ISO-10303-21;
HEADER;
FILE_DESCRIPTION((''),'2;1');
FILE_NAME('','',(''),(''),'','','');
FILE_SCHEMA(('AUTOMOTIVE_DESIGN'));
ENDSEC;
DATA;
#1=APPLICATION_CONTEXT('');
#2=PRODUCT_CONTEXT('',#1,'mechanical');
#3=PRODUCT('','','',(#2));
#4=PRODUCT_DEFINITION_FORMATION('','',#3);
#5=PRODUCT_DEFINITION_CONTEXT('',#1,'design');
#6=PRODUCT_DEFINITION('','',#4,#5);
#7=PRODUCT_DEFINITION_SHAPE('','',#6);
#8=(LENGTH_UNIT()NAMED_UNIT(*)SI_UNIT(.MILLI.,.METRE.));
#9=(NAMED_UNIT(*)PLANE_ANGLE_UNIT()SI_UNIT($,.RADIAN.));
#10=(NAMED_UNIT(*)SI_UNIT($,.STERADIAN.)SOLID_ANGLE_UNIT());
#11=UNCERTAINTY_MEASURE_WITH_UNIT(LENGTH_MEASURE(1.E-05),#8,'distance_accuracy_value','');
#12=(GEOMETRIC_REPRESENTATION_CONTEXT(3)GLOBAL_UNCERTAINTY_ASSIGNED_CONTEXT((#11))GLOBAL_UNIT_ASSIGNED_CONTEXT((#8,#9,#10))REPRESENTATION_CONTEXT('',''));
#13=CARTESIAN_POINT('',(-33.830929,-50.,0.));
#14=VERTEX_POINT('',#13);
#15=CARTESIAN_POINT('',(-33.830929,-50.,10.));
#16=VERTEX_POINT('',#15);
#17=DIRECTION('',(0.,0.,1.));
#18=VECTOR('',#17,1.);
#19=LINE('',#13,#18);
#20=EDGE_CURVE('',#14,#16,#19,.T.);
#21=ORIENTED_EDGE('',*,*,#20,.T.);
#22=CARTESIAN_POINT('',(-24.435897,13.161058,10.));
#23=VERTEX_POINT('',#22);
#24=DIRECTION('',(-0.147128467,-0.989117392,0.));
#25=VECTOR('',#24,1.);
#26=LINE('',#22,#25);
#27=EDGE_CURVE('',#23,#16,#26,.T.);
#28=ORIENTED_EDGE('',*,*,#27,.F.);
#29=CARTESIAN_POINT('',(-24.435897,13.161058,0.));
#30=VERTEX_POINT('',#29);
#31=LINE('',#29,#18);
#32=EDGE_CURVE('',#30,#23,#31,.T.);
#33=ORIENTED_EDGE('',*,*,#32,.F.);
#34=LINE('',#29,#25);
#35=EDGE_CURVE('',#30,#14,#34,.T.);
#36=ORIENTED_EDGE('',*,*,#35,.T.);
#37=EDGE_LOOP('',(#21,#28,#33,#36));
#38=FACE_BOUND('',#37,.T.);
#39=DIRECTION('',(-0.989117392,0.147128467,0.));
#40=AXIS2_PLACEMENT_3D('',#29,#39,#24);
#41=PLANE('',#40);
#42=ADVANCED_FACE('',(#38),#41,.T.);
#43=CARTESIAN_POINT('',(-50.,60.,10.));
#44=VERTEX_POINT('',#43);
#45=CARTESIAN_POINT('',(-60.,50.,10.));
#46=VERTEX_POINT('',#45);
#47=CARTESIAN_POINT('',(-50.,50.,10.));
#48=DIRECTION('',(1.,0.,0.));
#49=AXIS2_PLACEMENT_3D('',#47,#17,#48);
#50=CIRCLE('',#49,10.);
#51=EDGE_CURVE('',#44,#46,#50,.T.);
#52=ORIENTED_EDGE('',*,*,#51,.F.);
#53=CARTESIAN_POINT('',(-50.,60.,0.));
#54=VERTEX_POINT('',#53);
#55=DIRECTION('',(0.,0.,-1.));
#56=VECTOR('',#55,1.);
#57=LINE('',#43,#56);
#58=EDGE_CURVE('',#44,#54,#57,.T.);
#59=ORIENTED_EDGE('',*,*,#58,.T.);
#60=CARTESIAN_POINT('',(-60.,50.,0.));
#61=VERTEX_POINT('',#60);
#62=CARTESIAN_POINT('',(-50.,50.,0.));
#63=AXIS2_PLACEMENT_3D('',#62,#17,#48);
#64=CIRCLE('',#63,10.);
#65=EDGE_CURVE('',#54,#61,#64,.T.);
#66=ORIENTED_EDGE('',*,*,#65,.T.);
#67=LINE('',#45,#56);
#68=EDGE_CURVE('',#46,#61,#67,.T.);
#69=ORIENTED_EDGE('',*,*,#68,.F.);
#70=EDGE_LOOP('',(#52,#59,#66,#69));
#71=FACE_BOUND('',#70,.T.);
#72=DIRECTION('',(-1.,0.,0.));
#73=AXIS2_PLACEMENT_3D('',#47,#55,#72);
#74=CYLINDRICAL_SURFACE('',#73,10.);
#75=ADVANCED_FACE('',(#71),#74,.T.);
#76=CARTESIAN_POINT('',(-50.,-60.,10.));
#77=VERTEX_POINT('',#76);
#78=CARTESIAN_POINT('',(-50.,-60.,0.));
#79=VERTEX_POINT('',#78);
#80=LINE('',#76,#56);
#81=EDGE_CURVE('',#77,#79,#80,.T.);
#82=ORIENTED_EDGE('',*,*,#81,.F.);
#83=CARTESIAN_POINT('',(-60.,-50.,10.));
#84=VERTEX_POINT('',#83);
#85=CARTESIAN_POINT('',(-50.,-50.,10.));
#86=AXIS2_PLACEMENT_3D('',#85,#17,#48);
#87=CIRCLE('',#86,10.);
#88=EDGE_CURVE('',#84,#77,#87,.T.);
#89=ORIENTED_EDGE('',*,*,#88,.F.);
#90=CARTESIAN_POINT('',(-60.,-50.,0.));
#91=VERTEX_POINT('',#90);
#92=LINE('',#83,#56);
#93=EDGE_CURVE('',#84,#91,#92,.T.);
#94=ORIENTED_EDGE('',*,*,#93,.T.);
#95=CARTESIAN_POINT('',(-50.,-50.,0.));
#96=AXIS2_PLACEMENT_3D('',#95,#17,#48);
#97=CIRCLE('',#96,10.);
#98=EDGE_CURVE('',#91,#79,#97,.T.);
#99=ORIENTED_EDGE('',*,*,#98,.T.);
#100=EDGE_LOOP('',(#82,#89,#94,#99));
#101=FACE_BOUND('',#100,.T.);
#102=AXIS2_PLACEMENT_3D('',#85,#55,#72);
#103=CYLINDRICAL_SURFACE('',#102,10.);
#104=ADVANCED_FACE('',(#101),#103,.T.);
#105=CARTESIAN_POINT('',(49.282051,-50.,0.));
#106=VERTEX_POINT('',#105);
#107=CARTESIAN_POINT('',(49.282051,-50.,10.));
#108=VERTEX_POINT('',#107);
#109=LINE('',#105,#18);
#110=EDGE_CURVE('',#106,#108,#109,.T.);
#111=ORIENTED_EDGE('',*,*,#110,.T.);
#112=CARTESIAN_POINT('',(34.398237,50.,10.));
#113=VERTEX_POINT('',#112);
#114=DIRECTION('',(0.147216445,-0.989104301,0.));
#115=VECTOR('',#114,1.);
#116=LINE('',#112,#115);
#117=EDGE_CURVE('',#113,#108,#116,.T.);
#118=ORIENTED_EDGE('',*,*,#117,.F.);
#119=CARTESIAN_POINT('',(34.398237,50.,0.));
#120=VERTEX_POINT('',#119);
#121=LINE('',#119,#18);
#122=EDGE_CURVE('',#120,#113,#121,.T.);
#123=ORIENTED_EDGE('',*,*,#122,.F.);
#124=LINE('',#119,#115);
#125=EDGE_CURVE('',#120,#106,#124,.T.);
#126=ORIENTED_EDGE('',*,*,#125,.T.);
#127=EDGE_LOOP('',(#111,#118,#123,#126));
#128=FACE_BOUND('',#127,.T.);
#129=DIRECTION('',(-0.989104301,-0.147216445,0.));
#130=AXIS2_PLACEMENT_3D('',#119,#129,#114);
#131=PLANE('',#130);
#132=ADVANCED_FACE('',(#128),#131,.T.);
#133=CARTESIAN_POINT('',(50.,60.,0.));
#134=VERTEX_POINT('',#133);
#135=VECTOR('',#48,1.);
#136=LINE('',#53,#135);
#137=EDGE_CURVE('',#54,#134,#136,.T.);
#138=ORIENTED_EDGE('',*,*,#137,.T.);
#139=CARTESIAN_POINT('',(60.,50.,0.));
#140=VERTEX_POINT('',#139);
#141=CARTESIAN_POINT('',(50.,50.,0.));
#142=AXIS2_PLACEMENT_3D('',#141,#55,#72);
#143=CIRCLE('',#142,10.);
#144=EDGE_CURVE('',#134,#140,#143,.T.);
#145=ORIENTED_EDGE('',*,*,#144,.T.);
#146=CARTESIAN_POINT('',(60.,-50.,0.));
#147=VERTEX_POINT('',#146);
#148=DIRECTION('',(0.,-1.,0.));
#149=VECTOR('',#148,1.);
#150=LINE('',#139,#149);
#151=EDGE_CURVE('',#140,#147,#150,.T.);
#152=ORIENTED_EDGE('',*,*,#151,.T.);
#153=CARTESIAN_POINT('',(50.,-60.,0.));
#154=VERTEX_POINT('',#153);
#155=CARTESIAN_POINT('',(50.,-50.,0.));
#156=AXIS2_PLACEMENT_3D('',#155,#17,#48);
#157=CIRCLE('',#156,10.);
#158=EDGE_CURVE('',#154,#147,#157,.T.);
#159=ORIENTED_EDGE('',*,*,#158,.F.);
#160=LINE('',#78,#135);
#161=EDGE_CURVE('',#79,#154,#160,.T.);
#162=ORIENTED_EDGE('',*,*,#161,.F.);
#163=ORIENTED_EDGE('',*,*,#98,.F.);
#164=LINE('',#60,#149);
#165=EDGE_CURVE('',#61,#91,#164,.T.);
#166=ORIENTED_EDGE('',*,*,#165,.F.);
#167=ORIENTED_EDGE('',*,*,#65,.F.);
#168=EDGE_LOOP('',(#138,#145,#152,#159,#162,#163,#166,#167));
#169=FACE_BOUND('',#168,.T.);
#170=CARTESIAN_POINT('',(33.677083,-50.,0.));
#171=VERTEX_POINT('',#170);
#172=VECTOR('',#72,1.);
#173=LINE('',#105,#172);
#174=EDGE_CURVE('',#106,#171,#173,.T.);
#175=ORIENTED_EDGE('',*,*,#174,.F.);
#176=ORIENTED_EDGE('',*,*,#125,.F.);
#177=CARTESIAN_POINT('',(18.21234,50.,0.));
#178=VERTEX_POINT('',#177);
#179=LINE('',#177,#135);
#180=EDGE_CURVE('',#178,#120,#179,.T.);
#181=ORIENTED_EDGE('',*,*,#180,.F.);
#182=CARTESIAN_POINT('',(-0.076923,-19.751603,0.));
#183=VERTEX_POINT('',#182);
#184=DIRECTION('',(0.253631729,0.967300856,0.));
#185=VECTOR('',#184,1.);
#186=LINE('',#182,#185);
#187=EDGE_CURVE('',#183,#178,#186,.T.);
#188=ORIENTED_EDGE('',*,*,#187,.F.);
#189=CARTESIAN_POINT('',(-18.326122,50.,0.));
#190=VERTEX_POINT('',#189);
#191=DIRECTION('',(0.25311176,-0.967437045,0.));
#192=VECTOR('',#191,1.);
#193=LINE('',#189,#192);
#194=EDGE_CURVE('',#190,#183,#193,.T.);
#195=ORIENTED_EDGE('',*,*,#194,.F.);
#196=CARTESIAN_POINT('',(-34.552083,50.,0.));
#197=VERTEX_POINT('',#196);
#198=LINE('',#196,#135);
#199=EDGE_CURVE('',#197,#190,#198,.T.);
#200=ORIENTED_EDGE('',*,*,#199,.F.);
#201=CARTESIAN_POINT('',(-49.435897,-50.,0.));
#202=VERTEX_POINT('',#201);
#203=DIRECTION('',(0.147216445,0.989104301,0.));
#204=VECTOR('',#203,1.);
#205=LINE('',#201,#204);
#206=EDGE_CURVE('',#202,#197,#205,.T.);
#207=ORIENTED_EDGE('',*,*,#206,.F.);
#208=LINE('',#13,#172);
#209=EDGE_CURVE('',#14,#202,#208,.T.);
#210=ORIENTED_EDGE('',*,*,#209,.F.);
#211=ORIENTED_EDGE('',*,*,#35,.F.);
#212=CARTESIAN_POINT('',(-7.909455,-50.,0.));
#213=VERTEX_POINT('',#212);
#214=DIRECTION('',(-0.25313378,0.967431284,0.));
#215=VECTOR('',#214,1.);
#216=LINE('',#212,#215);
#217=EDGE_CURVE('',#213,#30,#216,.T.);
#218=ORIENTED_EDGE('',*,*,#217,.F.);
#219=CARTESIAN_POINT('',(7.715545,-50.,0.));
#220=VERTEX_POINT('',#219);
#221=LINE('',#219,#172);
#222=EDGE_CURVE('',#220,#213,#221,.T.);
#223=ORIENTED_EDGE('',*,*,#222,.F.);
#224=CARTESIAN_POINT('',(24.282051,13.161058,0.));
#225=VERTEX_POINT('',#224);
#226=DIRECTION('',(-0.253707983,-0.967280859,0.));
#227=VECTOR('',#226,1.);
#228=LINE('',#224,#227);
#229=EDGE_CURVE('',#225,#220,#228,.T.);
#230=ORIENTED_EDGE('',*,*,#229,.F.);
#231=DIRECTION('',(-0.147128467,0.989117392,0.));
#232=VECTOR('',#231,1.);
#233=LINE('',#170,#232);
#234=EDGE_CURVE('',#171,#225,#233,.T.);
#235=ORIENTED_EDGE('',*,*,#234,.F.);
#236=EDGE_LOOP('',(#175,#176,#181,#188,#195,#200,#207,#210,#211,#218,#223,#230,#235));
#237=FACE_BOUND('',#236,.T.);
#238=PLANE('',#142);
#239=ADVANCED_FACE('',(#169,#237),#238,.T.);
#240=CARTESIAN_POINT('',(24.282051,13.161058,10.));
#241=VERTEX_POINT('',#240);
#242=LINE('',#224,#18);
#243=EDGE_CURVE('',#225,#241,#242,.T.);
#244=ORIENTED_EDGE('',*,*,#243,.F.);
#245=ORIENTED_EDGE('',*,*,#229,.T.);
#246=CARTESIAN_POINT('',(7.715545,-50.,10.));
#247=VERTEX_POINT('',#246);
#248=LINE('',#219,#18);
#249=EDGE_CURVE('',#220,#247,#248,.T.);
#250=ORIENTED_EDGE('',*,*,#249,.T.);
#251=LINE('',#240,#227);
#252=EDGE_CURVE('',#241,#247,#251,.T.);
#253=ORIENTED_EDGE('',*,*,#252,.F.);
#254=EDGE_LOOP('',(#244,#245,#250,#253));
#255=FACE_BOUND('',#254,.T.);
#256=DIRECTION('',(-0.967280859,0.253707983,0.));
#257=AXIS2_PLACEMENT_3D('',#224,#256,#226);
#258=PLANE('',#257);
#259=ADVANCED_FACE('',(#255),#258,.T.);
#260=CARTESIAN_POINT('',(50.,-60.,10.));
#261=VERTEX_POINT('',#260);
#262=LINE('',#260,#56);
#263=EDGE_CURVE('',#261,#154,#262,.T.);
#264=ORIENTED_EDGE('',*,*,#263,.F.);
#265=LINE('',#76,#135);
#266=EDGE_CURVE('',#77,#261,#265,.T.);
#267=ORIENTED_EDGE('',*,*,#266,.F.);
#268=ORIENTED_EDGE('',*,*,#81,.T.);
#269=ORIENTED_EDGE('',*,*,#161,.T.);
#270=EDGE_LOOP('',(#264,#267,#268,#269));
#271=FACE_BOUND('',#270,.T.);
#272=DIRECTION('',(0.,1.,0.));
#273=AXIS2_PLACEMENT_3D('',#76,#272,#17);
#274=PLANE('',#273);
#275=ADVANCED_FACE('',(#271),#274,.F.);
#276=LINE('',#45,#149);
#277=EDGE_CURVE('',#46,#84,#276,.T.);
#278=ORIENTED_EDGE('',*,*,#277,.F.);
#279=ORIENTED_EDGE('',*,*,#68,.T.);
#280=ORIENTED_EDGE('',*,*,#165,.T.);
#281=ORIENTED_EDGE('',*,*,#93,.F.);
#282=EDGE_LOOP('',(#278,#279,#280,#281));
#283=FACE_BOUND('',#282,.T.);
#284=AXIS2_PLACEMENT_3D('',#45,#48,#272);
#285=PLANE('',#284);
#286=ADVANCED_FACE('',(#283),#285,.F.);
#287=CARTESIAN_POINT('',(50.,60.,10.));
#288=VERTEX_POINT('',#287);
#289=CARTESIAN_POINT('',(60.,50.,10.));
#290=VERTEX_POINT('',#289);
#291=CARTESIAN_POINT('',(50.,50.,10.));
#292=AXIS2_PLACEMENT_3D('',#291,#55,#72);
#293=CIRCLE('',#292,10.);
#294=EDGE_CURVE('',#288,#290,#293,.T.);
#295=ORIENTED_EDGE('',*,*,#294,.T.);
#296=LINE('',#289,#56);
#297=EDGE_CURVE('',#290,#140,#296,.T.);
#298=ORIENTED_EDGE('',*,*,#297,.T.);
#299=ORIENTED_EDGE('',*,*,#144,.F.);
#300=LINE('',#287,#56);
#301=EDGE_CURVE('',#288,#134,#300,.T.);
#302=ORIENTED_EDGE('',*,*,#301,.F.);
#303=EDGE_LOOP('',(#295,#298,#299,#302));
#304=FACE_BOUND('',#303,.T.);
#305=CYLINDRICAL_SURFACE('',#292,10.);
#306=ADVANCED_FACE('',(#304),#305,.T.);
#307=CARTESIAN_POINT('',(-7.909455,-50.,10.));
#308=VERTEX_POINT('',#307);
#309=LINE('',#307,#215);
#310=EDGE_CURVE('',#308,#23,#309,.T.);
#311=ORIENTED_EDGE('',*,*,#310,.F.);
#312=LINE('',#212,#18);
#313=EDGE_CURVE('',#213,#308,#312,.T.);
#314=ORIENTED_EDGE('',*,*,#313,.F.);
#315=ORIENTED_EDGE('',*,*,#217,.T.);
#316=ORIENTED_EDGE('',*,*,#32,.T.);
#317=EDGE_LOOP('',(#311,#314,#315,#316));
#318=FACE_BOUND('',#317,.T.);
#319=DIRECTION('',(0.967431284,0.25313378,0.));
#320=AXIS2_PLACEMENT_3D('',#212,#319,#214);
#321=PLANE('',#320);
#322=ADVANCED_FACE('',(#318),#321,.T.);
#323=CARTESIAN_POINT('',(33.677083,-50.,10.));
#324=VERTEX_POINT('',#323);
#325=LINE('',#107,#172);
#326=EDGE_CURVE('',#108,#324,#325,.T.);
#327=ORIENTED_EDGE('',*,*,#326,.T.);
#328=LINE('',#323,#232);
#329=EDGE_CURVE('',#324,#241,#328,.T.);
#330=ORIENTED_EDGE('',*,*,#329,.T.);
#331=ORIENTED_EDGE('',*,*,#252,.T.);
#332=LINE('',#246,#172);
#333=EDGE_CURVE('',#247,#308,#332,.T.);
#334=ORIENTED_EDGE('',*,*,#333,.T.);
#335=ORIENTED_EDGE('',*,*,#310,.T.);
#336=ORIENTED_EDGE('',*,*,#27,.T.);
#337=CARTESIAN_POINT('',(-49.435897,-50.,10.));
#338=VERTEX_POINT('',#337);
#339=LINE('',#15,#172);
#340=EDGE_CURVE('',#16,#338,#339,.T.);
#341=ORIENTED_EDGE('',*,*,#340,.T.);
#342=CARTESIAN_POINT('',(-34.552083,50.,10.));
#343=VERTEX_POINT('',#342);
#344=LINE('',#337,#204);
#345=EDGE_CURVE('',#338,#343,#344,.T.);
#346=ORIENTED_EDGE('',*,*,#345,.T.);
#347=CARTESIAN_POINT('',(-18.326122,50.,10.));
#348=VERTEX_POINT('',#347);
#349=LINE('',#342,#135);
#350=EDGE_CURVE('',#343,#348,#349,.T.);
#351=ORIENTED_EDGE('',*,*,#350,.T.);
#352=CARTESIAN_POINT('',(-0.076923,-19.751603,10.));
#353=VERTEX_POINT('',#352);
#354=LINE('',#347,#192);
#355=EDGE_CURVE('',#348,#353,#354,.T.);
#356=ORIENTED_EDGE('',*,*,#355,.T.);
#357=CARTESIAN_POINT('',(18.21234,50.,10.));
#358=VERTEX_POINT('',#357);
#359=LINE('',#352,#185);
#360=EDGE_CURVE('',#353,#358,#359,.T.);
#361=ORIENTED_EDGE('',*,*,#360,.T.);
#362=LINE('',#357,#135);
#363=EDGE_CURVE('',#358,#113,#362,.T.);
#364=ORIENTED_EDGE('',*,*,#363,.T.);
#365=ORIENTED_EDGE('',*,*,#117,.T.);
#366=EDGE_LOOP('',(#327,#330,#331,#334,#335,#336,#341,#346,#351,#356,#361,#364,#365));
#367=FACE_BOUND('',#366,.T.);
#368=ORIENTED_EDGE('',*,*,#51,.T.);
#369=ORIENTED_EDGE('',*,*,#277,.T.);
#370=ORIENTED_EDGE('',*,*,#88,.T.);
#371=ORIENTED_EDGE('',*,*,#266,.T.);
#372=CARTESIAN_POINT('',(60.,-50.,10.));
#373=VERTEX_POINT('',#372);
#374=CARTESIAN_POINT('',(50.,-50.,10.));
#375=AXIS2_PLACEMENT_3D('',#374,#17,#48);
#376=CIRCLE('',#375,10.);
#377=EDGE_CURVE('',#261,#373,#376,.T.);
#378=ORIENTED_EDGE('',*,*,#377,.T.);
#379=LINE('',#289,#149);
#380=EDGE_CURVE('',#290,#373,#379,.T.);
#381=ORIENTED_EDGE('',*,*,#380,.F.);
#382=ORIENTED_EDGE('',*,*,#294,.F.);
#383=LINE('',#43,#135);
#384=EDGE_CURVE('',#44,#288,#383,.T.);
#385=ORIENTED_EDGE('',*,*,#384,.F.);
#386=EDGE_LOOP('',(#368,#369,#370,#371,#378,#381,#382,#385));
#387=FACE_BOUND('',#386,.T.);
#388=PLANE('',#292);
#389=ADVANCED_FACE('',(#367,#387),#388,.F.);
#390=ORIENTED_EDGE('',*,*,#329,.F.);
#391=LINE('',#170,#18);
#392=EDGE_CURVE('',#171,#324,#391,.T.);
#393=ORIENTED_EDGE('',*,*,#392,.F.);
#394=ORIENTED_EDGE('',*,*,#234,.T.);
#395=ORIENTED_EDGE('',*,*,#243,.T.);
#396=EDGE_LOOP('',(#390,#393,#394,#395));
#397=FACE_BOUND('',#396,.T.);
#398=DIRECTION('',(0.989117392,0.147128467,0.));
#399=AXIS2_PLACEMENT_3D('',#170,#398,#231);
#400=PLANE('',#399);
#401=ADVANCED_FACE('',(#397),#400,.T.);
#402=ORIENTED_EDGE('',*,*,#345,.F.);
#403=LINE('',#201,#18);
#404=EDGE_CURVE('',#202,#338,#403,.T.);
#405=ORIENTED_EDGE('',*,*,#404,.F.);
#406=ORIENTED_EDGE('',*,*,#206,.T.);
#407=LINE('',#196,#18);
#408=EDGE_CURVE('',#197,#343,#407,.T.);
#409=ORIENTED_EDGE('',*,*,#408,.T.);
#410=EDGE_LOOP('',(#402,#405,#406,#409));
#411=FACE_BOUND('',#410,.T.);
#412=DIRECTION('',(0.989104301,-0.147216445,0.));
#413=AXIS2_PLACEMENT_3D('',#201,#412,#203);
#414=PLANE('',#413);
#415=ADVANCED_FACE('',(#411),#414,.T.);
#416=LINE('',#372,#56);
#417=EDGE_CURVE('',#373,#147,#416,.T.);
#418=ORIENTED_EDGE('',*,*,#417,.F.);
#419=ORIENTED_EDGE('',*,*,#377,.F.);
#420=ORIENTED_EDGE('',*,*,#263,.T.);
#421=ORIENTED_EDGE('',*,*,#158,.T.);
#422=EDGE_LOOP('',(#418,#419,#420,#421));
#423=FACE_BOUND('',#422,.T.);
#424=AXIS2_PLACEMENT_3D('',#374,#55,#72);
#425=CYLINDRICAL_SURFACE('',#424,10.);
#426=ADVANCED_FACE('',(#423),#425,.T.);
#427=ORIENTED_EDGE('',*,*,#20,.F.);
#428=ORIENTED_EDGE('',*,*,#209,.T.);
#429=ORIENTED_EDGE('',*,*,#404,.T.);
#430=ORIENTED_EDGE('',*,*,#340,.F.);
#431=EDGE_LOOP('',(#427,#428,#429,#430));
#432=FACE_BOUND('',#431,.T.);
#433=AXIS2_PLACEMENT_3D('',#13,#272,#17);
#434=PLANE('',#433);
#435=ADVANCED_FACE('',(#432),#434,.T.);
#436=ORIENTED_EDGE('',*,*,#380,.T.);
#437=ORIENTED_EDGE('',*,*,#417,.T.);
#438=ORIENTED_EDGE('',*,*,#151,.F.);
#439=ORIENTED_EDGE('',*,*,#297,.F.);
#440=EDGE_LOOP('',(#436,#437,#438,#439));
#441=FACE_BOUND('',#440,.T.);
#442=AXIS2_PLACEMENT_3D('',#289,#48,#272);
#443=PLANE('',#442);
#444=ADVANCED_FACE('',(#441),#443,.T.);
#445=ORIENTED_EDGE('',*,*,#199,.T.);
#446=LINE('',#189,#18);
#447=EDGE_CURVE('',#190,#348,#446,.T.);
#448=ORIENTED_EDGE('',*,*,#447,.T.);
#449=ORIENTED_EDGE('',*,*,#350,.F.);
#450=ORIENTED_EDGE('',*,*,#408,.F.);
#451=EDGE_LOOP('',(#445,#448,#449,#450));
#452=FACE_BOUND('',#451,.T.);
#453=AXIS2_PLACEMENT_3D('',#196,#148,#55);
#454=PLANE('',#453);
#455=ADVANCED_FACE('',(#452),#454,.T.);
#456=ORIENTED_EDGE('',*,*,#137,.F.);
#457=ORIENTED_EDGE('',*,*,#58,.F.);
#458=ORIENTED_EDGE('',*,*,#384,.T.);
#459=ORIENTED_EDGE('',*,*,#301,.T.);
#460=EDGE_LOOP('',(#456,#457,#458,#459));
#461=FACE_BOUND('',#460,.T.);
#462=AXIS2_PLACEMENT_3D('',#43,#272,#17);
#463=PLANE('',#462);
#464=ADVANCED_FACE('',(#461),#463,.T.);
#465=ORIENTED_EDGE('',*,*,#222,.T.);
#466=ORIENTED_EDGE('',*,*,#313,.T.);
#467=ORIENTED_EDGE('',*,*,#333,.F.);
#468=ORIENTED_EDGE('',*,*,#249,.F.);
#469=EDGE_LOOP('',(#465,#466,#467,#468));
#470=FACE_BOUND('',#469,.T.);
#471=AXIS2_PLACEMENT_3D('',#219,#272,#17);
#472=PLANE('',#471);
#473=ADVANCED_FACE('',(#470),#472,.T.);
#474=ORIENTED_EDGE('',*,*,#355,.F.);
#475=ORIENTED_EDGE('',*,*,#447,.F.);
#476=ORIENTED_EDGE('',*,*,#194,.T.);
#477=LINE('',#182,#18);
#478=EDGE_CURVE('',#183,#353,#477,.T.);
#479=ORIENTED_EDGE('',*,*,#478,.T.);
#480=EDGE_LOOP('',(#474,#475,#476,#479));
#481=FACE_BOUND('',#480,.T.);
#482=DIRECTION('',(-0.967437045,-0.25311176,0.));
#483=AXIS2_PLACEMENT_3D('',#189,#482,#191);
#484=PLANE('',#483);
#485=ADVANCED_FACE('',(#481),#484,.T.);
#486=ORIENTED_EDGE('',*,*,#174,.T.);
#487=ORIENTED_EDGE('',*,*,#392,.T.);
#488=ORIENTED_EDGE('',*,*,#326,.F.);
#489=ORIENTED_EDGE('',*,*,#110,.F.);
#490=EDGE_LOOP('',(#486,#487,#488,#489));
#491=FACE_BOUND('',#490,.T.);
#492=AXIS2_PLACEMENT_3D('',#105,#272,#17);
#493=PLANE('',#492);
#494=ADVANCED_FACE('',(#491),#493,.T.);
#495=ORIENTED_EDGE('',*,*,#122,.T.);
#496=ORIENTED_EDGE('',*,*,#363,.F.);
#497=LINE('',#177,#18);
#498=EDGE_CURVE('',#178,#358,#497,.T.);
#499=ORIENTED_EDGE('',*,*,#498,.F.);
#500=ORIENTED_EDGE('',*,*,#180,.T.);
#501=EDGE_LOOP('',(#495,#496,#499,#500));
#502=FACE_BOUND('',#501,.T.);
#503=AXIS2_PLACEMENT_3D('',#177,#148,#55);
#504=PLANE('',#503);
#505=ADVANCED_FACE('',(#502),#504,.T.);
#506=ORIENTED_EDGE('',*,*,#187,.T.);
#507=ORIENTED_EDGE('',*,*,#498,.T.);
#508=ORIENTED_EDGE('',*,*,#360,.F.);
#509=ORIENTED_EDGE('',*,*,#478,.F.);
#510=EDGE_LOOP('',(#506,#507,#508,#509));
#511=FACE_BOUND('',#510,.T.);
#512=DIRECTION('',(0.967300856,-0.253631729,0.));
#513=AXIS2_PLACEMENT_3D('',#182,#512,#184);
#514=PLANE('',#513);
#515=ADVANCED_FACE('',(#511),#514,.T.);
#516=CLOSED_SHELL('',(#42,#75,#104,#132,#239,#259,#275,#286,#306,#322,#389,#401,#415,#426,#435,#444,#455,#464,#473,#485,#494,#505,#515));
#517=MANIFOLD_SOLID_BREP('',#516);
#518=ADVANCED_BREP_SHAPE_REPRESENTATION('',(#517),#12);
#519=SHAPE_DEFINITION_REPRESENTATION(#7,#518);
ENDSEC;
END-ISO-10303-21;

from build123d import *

# Parameters (mm, degrees)
BOSS_EXTRUDE1_DEPTH = 10
CUT_EXTRUDE26_DEPTH = 10


with BuildPart() as part:
    # Sketch1 → Boss-Extrude1 (new body)
    with BuildSketch(Plane.XY):
        with BuildLine():
            Line((-50, 60), (50, 60))
            ThreePointArc((50, 60), (57.071067812, 57.071067812), (60, 50))
            Line((60, 50), (60, -50))
            ThreePointArc((60, -50), (57.071067812, -57.071067812), (50, -60))
            Line((50, -60), (-50, -60))
            ThreePointArc((-50, -60), (-57.071067812, -57.071067812), (-60, -50))
            Line((-60, -50), (-60, 50))
            ThreePointArc((-60, 50), (-57.071067812, 57.071067812), (-50, 60))
        make_face()
    extrude(amount=BOSS_EXTRUDE1_DEPTH)

    # Sketch2 → Cut-Extrude26 (cut)
    with BuildSketch(Plane.XY.offset(10)):
        Polygon((-34.552083333, 50), (-18.326121795, 50), (-0.076923077, -19.751602564), (18.212339744, 50), (34.398237179, 50), (49.282051282, -50), (33.677083333, -50), (24.282051282, 13.161057692), (7.715544872, -50), (-7.909455128, -50), (-24.435897436, 13.161057692), (-33.830929487, -50), (-49.435897436, -50), align=None)
    extrude(amount=-CUT_EXTRUDE26_DEPTH, mode=Mode.SUBTRACT)


solid = part.part
